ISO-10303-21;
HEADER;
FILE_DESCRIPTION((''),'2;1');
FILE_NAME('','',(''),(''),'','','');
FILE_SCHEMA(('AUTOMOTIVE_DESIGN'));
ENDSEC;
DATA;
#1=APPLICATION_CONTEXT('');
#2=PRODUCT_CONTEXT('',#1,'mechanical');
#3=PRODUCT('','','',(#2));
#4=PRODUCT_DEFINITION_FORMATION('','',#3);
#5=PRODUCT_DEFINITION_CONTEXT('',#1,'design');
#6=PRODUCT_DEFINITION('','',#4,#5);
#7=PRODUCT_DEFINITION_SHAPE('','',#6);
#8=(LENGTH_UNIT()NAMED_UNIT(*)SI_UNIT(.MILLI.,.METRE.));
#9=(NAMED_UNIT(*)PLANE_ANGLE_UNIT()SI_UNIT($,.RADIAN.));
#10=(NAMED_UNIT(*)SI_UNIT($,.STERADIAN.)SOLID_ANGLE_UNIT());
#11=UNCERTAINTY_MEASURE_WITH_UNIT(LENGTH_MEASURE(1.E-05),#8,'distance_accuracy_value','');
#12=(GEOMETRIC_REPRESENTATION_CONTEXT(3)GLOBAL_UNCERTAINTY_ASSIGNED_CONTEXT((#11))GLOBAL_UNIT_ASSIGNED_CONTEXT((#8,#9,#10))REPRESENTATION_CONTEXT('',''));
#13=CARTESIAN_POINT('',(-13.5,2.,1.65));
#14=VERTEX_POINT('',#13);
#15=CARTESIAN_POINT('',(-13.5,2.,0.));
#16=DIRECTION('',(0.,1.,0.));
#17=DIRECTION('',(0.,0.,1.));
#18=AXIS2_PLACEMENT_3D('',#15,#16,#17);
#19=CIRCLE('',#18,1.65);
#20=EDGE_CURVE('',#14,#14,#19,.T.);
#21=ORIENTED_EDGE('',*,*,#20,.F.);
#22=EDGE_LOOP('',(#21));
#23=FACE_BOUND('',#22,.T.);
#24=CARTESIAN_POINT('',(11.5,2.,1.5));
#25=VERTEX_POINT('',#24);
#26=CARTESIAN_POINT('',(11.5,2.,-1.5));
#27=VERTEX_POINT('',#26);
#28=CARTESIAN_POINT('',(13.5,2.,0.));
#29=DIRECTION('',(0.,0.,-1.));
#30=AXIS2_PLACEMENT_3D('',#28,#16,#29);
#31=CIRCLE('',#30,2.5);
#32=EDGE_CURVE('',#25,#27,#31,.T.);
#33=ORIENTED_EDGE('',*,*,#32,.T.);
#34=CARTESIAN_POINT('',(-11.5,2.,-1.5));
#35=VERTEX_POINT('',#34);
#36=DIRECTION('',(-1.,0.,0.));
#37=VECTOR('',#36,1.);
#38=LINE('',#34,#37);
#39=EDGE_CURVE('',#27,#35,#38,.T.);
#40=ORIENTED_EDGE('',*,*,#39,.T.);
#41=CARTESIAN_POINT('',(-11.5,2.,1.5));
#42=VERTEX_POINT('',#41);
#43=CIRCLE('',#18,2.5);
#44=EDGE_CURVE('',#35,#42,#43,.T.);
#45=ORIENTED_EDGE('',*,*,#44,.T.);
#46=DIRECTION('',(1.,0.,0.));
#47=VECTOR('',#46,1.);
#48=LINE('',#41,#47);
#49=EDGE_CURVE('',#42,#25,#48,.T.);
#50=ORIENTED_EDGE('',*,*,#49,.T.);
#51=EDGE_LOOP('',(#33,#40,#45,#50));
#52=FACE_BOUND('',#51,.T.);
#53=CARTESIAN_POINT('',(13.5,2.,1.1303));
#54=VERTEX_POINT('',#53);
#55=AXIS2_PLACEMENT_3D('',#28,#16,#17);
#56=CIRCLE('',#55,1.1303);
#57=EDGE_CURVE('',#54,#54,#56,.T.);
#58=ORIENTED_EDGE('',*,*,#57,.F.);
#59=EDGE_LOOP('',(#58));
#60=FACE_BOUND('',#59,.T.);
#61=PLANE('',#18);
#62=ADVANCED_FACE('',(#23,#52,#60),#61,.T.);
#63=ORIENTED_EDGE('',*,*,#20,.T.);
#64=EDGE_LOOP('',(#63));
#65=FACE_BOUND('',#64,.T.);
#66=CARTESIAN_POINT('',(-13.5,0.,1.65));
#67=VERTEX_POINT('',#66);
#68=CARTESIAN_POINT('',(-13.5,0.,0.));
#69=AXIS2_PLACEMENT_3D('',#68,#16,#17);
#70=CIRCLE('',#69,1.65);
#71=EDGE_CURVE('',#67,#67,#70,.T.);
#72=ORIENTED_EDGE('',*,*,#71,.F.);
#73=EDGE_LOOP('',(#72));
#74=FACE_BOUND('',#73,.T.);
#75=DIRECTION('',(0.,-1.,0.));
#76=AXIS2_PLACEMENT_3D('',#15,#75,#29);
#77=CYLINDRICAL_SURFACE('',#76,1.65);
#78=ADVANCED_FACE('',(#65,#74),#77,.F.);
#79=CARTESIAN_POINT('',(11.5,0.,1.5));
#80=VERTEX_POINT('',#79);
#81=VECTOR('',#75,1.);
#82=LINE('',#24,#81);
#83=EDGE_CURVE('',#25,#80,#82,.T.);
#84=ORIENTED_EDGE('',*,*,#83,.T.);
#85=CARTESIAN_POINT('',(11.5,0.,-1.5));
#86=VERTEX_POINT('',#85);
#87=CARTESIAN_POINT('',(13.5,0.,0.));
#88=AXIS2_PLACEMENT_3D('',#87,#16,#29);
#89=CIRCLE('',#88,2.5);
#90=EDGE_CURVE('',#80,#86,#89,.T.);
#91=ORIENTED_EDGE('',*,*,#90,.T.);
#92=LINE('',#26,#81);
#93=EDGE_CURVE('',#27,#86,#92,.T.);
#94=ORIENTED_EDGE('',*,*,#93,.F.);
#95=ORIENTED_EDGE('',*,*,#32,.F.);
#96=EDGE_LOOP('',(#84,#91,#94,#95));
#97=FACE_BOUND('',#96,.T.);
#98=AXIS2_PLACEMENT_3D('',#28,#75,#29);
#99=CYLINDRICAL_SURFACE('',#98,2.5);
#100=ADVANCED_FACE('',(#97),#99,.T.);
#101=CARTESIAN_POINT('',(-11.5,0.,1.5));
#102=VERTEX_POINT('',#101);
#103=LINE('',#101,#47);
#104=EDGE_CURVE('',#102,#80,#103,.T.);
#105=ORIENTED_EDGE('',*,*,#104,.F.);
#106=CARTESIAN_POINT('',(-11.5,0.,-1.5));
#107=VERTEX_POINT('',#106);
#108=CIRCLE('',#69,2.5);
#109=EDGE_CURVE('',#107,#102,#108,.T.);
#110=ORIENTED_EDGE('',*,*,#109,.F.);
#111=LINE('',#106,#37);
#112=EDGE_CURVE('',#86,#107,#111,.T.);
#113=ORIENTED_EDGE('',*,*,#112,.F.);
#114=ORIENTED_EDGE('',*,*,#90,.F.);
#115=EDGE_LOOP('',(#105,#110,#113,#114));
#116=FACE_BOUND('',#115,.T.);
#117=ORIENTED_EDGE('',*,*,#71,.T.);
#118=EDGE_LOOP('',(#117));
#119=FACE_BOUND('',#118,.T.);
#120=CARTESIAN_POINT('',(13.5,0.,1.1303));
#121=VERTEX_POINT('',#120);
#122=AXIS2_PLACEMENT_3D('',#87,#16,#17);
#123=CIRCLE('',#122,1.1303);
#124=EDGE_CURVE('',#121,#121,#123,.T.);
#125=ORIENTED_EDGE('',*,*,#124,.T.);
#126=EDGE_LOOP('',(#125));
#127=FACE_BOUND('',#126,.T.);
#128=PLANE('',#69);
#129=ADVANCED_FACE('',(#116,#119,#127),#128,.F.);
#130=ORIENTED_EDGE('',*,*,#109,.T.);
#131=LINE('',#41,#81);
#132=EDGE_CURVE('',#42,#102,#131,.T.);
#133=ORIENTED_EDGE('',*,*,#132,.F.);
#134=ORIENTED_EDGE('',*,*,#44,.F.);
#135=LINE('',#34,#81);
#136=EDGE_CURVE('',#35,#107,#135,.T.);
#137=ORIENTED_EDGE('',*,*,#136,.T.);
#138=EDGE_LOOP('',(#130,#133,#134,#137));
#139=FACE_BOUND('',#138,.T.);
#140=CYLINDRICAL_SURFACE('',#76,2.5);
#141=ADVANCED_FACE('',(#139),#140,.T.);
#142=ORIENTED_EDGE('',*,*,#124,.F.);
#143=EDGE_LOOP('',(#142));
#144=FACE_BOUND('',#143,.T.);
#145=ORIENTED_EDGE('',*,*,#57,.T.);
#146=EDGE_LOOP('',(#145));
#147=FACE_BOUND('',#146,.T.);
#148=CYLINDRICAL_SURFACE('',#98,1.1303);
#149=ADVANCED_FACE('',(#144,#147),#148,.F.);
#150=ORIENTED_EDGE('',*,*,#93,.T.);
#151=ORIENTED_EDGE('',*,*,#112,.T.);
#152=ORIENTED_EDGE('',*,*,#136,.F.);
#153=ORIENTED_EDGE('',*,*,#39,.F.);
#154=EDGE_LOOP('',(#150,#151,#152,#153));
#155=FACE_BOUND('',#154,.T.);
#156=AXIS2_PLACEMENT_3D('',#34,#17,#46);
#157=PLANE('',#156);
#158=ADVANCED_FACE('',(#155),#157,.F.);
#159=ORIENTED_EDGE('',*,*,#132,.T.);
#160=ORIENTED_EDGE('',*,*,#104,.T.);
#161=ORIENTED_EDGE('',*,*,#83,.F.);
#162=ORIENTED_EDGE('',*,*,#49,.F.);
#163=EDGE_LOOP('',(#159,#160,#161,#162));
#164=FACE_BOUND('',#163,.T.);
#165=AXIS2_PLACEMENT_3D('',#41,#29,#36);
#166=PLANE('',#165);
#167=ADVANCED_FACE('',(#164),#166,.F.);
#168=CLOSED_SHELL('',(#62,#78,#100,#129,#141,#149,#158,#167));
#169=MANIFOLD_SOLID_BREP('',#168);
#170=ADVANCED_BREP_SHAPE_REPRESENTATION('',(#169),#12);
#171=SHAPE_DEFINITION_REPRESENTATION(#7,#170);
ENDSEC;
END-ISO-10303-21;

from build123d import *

# Parameters (mm, degrees)
SKETCH1_R           = 1.65
SKETCH1_R_2         = 1.1303
BOSS_EXTRUDE1_DEPTH = 2


with BuildPart() as part:
    # Sketch1 → Boss-Extrude1 (new body)
    with BuildSketch(Plane(origin=(0, 0, 0), x_dir=(1, 0, 0), z_dir=(0, 1, 0))):
        with BuildLine():
            Line((-11.5, 1.5), (11.5, 1.5))
            ThreePointArc((11.5, 1.5), (16, 0), (11.5, -1.5))
            Line((11.5, -1.5), (-11.5, -1.5))
            ThreePointArc((-11.5, -1.5), (-16, 0), (-11.5, 1.5))
        make_face()
        with Locations(Location((-13.5, 0, 0), (0, 0, 270))):
            Circle(SKETCH1_R, mode=Mode.SUBTRACT)
        with Locations(Location((13.5, 0, 0), (0, 0, 270))):
            Circle(SKETCH1_R_2, mode=Mode.SUBTRACT)
    extrude(amount=BOSS_EXTRUDE1_DEPTH)


solid = part.part
